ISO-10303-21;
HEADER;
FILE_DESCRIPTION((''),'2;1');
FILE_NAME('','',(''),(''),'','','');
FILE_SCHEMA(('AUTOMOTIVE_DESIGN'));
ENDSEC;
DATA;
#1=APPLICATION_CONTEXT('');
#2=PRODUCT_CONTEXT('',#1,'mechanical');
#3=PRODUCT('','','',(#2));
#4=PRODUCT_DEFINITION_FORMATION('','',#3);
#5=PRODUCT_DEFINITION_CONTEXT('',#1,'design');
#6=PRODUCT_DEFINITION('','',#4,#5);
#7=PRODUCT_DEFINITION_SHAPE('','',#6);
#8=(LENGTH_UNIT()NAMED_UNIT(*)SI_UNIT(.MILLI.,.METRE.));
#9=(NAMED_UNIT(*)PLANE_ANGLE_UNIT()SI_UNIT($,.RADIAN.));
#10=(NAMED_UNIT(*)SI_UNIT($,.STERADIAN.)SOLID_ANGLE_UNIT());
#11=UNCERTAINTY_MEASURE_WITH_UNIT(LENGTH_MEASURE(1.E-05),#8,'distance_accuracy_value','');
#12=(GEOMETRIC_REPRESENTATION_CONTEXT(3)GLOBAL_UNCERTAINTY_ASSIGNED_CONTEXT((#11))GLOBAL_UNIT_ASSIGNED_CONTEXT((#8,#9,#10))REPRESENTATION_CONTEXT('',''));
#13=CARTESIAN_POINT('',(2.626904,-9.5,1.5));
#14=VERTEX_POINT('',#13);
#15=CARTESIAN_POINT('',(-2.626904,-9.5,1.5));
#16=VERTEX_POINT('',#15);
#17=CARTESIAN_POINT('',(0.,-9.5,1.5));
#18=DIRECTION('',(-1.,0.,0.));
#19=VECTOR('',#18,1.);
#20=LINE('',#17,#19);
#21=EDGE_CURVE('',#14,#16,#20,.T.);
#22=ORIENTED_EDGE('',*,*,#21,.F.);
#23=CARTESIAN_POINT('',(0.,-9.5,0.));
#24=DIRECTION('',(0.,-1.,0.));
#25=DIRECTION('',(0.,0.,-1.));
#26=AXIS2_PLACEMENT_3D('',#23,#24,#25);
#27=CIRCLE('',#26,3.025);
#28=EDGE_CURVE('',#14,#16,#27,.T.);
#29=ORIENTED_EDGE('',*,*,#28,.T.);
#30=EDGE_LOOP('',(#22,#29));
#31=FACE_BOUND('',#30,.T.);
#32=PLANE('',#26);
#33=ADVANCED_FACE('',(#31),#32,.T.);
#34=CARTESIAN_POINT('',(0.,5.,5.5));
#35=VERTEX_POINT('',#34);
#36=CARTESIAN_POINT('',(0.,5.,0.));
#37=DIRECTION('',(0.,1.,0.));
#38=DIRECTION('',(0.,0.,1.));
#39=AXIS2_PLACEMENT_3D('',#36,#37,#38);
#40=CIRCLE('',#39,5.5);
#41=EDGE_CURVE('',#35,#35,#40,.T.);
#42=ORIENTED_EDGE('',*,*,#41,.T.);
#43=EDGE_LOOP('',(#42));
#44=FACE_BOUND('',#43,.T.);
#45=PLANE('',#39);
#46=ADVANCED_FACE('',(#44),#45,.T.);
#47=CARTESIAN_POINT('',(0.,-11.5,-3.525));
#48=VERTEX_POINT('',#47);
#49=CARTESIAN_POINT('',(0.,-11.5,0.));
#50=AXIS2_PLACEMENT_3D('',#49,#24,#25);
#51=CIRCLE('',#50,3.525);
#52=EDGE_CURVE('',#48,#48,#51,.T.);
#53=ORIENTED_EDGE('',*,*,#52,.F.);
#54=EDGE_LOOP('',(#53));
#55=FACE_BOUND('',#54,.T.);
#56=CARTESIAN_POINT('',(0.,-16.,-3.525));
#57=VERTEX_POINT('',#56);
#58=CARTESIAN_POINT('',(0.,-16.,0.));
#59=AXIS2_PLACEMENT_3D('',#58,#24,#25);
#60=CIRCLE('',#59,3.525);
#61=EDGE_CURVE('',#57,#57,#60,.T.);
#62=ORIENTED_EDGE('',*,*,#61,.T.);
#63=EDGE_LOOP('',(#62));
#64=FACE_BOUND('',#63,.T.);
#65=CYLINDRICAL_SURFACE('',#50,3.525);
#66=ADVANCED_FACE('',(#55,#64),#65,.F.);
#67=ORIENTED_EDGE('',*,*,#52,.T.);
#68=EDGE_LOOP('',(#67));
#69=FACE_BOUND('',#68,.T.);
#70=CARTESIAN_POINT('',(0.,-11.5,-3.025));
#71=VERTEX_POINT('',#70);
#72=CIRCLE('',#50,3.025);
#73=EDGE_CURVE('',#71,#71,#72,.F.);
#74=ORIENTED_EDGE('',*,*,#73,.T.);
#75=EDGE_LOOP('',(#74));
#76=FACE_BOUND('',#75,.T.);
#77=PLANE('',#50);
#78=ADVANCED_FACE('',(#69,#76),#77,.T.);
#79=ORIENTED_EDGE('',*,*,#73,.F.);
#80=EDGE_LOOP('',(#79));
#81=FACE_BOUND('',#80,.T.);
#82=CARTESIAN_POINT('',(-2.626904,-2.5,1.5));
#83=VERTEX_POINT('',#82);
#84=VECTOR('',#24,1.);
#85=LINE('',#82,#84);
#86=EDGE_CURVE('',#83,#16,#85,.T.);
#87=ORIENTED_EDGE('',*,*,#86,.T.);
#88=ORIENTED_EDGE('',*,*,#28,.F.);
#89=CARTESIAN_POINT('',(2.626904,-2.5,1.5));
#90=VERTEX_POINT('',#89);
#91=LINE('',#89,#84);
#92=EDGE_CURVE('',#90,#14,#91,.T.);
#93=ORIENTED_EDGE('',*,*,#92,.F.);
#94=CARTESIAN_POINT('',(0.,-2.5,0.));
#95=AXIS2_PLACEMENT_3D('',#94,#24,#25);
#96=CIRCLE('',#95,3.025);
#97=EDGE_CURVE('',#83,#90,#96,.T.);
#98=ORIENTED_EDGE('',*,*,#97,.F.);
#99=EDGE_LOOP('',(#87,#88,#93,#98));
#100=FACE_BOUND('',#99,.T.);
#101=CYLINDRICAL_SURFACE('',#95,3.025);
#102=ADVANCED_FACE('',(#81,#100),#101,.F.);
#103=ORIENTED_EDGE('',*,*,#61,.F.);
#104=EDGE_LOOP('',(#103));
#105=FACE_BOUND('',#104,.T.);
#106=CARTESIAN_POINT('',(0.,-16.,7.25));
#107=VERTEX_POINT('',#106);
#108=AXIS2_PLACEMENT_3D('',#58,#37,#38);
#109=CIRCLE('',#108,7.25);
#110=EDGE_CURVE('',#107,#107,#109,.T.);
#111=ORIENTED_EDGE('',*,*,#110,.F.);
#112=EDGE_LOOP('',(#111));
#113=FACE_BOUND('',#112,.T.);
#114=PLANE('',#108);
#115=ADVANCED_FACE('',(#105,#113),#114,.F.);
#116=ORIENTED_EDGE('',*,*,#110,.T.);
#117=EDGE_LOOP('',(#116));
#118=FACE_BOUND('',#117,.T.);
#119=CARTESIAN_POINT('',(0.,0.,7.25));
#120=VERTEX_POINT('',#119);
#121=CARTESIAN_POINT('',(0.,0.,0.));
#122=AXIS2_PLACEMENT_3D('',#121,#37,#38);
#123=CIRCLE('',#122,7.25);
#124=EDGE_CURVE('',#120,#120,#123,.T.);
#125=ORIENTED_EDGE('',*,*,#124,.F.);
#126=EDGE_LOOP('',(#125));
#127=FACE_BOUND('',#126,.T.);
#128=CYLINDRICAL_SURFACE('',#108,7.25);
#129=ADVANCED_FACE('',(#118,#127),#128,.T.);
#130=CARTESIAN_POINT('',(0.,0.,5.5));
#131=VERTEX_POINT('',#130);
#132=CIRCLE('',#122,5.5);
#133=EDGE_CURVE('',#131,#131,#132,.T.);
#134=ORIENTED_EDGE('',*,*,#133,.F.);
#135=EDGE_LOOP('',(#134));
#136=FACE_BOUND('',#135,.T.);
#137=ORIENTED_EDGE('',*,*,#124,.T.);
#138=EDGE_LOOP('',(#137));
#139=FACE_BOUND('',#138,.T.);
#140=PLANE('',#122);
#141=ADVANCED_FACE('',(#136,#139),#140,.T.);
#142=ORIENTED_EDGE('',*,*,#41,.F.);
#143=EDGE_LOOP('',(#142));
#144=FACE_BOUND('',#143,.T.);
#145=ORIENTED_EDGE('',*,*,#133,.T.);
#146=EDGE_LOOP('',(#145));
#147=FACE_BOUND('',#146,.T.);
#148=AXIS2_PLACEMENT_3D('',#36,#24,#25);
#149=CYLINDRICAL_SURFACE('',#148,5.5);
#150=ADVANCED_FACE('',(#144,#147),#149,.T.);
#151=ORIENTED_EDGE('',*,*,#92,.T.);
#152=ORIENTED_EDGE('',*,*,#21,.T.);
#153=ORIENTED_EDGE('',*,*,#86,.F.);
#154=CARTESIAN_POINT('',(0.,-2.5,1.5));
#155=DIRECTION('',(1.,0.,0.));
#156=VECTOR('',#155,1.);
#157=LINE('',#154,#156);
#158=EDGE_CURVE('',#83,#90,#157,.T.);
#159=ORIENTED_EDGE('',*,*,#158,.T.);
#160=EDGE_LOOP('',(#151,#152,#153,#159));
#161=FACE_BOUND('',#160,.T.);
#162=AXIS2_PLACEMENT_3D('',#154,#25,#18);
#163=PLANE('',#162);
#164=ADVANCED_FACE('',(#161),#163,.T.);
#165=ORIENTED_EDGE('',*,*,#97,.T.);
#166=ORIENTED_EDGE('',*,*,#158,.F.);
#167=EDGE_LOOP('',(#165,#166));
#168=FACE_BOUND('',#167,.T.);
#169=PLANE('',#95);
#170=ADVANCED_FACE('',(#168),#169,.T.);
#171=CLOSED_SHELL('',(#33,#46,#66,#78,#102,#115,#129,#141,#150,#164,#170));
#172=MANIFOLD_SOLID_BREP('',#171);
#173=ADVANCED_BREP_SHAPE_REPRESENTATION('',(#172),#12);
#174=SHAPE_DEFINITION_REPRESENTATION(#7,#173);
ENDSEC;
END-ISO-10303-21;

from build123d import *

# Parameters (mm, degrees)
SKETCH_1_R          = 5.5
EXTRUDE_1_DEPTH     = 5
SKETCH_2_R          = 7.25
EXTRUDE_2_DEPTH     = 16
CUT_EXTRUDE_1_DEPTH = 13.5
SKETCH_4_R          = 3.025
CUT_EXTRUDE_2_DEPTH = 6.5
SKETCH_5_R          = 3.525
CUT_EXTRUDE_3_DEPTH = 4.5


with BuildPart() as part:
    # Эскиз1 → Бобышка-Вытянуть1 (new body)
    with BuildSketch(Plane(origin=(0, 0, 0), x_dir=(1, 0, 0), z_dir=(0, 1, 0))):
        Circle(SKETCH_1_R)
    extrude(amount=EXTRUDE_1_DEPTH)

    # Эскиз2 → Бобышка-Вытянуть2 (add)
    with BuildSketch(Plane(origin=(0, 0, 0), x_dir=(1, 0, 0), z_dir=(0, 1, 0))):
        Circle(SKETCH_2_R)
    extrude(amount=-EXTRUDE_2_DEPTH)

    # Эскиз3 → Вырез-Вытянуть1 (cut)
    with BuildSketch(Plane.XZ.offset(16)):
        with BuildLine():
            Line((2.626904071, 1.5), (-2.626904071, 1.5))
            ThreePointArc((-2.626904071, 1.5), (-0.775963976, -2.923782637), (3.025, 0))
            ThreePointArc((3.025, 0), (2.923782637, 0.775963976), (2.626904071, 1.5))
        make_face()
    extrude(amount=-CUT_EXTRUDE_1_DEPTH, mode=Mode.SUBTRACT)

    # Эскиз4 → Вырез-Вытянуть2 (cut)
    with BuildSketch(Plane.XZ.offset(16)):
        Circle(SKETCH_4_R)
    extrude(amount=-CUT_EXTRUDE_2_DEPTH, mode=Mode.SUBTRACT)

    # Эскиз5 → Вырез-Вытянуть3 (cut)
    with BuildSketch(Plane.XZ.offset(16)):
        Circle(SKETCH_5_R)
    extrude(amount=-CUT_EXTRUDE_3_DEPTH, mode=Mode.SUBTRACT)


solid = part.part
